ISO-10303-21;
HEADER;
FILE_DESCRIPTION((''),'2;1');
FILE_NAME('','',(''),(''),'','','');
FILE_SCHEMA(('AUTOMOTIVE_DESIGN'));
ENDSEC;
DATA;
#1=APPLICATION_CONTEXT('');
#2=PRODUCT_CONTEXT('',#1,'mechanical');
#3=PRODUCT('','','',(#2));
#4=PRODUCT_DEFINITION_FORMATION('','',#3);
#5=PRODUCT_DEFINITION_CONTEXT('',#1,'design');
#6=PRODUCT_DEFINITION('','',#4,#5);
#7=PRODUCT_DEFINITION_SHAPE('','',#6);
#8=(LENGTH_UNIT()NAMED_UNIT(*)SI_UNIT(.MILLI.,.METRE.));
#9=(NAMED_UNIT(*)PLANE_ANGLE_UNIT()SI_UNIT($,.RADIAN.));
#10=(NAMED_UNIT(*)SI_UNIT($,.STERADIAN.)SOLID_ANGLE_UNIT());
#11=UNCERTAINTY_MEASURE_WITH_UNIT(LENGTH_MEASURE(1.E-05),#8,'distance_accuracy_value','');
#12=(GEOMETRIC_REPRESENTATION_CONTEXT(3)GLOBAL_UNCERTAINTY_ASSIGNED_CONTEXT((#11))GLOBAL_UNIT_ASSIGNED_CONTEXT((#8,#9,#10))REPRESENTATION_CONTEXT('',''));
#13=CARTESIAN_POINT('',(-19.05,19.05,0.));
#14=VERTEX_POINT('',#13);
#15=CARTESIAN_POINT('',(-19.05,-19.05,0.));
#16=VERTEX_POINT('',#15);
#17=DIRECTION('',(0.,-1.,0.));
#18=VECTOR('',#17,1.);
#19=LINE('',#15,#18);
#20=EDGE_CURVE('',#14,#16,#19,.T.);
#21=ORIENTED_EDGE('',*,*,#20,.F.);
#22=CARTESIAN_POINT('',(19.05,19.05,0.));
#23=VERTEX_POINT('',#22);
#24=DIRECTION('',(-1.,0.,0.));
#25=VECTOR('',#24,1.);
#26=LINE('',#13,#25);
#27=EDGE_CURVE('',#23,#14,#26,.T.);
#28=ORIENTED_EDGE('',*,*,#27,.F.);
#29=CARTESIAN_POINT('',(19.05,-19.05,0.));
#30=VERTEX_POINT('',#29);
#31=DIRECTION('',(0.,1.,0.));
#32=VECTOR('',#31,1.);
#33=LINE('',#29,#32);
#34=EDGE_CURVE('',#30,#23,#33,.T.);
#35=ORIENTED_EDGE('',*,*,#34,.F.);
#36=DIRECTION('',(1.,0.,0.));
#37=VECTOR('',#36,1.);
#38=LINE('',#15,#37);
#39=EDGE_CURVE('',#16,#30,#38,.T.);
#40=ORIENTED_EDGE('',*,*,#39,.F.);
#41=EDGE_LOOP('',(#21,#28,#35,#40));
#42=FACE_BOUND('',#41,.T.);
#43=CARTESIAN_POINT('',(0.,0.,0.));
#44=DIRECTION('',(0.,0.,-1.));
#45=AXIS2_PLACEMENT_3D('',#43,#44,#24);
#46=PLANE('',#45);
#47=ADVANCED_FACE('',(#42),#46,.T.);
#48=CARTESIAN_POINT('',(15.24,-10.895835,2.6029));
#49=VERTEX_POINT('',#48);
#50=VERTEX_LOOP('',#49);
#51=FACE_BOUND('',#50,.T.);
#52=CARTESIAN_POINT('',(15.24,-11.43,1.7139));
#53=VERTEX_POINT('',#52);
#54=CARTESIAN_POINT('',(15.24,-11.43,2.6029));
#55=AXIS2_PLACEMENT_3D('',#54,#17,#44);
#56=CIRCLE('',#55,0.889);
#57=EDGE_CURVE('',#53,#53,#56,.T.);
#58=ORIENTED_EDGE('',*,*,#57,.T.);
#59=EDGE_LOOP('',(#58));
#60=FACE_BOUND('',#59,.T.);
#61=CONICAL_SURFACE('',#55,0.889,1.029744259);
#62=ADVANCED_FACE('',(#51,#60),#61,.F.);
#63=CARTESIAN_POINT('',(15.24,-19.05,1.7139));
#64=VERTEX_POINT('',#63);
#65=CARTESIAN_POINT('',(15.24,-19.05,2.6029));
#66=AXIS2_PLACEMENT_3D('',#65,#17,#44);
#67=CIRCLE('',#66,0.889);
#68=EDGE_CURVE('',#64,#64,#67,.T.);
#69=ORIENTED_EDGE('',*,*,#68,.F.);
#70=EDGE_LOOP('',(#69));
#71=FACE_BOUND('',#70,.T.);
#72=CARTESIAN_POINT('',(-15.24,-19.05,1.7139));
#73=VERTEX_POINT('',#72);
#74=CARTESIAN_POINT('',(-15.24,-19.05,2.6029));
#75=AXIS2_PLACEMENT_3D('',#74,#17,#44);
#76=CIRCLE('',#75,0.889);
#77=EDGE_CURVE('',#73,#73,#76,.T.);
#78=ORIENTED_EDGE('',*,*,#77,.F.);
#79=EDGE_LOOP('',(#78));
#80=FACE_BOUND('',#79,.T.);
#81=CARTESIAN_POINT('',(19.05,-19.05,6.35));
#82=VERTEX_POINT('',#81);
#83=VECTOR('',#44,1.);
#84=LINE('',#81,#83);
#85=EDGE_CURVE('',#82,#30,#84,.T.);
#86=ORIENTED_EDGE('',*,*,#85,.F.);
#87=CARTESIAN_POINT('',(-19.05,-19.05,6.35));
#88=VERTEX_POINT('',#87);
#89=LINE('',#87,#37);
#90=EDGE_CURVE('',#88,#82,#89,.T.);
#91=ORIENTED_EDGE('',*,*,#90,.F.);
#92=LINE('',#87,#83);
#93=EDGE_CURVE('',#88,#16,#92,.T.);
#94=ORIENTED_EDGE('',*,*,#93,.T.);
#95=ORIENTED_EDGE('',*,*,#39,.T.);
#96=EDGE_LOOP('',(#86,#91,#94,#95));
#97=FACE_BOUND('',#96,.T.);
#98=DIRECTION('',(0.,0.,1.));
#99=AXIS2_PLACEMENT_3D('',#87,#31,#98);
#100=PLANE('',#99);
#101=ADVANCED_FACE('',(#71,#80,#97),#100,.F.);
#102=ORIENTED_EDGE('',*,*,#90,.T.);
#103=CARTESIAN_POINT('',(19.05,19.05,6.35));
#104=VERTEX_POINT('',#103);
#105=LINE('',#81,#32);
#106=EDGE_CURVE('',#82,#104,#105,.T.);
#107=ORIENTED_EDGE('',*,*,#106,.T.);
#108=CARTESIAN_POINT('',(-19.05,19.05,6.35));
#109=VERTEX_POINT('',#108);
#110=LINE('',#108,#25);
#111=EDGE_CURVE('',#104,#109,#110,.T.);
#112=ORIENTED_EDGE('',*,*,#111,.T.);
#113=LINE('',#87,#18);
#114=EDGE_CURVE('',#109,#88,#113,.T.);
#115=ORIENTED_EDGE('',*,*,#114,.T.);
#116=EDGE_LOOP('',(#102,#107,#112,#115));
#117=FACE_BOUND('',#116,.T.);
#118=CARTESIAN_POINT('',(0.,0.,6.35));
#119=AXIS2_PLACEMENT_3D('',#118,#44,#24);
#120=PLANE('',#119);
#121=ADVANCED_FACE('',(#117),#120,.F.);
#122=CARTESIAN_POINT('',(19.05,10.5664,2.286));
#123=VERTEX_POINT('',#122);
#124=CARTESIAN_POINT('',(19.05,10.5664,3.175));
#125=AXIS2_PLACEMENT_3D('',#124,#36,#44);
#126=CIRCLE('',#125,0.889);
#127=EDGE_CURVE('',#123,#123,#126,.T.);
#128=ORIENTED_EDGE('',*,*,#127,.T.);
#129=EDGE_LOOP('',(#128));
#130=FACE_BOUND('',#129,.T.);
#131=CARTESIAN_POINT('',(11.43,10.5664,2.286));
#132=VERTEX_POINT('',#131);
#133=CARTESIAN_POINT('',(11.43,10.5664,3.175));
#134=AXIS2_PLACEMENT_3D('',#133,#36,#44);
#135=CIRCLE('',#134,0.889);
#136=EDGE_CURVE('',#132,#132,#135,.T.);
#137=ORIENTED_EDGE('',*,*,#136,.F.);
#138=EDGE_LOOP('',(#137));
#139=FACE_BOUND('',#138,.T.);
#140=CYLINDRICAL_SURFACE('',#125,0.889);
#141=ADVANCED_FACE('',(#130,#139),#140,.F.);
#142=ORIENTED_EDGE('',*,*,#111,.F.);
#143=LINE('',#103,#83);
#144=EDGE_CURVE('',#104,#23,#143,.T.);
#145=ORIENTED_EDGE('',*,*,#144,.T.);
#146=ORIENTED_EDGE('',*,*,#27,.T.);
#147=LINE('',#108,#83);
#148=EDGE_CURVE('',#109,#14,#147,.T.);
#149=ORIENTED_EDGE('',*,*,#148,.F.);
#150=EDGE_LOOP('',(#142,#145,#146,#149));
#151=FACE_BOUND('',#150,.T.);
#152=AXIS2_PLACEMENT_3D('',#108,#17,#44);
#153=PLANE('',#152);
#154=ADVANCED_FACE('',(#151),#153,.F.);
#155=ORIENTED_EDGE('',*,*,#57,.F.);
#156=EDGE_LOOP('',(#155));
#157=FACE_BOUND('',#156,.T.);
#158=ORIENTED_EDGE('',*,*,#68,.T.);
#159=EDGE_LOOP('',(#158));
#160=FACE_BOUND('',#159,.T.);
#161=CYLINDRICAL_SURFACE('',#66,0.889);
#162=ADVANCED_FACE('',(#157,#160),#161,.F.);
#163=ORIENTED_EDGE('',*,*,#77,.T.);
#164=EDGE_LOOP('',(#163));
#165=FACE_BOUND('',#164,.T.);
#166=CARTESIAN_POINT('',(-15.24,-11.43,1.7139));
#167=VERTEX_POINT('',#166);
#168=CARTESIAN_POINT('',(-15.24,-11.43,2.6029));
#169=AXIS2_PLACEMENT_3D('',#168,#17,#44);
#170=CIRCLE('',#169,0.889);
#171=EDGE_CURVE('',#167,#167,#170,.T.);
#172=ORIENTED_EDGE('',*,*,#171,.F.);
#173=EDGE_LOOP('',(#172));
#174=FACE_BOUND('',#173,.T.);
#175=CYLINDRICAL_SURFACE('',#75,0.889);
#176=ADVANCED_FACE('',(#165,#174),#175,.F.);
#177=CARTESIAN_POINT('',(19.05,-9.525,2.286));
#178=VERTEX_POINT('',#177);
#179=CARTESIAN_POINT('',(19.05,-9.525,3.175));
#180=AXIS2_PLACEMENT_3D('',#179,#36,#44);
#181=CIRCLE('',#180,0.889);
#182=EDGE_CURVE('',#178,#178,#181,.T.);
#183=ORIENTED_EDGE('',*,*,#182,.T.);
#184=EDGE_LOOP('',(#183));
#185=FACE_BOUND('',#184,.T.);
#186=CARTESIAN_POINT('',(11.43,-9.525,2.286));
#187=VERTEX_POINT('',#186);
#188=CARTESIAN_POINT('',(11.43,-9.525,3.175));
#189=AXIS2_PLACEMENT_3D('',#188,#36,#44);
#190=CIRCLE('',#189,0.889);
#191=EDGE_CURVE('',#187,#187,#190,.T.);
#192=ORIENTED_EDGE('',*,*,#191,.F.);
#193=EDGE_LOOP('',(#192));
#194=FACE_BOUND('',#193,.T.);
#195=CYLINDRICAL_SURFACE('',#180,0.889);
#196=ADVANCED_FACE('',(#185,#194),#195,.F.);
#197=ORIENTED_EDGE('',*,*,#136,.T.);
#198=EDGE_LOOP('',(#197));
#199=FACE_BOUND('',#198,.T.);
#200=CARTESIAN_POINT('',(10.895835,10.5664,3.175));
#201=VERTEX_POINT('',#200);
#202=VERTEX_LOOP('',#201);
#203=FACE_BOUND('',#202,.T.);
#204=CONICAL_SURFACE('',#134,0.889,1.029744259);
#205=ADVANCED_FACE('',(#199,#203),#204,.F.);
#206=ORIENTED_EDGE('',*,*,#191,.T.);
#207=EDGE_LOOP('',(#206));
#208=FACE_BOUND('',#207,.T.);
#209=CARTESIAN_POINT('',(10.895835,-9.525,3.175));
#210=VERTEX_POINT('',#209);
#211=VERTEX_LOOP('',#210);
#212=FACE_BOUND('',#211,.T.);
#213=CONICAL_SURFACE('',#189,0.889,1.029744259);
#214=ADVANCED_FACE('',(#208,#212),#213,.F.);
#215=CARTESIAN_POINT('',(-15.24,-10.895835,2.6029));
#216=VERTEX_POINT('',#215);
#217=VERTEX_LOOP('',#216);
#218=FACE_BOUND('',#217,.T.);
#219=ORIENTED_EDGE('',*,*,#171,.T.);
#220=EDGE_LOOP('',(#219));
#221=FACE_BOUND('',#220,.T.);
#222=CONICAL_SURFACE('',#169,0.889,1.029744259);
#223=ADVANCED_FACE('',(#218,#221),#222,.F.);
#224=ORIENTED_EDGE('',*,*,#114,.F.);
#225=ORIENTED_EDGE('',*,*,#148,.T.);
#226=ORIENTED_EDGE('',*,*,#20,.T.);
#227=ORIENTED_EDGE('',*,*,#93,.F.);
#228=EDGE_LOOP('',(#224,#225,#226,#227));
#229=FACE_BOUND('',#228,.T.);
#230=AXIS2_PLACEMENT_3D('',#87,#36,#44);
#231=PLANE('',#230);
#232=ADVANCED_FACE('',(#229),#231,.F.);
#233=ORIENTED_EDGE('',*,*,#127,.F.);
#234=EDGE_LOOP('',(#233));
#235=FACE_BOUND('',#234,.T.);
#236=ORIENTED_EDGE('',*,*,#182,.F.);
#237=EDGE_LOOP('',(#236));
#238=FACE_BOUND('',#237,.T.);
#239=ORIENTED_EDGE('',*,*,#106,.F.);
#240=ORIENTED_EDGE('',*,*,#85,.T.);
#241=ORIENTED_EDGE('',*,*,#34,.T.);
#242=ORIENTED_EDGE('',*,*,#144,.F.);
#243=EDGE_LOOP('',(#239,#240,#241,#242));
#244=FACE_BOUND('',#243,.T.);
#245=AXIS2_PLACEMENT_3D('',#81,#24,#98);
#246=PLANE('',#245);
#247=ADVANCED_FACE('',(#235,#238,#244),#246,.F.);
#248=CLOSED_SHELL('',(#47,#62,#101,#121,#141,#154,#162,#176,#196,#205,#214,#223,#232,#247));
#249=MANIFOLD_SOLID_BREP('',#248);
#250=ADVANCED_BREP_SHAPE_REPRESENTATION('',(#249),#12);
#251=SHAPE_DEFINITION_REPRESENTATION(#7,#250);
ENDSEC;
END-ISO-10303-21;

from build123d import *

# Parameters (mm, degrees)
SKETCH1_W                     = 38.1
SKETCH1_H                     = 38.1
BOSS_EXTRUDE1_DEPTH           = 6.35
TAP_DRILL_FOR_2_64_TAP1_D     = 1.778
TAP_DRILL_FOR_2_64_TAP1_DEPTH = 7.62
TAP_DRILL_FOR_2_64_TAP1_TIP   = 0.53416509
TAP_DRILL_FOR_2_64_TAP2_D     = 1.778
TAP_DRILL_FOR_2_64_TAP2_DEPTH = 7.62
TAP_DRILL_FOR_2_64_TAP2_TIP   = 0.53416509


with BuildPart() as part:
    # Sketch1 → Boss-Extrude1 (new body)
    with BuildSketch(Plane.XY):
        Rectangle(SKETCH1_W, SKETCH1_H)
    extrude(amount=BOSS_EXTRUDE1_DEPTH)

    # Tap Drill for #2-64 Tap1
    with Locations(Plane(origin=(0, -19.05, 0), x_dir=(-1, 0, 0), z_dir=(0, -1, 0))):
        with Locations((-15.24, -2.6029), (15.24, -2.6029)):
            Hole(TAP_DRILL_FOR_2_64_TAP1_D / 2, depth=TAP_DRILL_FOR_2_64_TAP1_DEPTH)
            with Locations((0, 0, -(TAP_DRILL_FOR_2_64_TAP1_DEPTH + TAP_DRILL_FOR_2_64_TAP1_TIP / 2))):  # 118° drill point
                Cone(0, TAP_DRILL_FOR_2_64_TAP1_D / 2, TAP_DRILL_FOR_2_64_TAP1_TIP, mode=Mode.SUBTRACT)

    # Tap Drill for #2-64 Tap2
    with Locations(Plane(origin=(19.05, 0, 0), x_dir=(0, 0, -1), z_dir=(1, 0, 0))):
        with Locations((-3.175, 10.5664), (-3.175, -9.525)):
            Hole(TAP_DRILL_FOR_2_64_TAP2_D / 2, depth=TAP_DRILL_FOR_2_64_TAP2_DEPTH)
            with Locations((0, 0, -(TAP_DRILL_FOR_2_64_TAP2_DEPTH + TAP_DRILL_FOR_2_64_TAP2_TIP / 2))):  # 118° drill point
                Cone(0, TAP_DRILL_FOR_2_64_TAP2_D / 2, TAP_DRILL_FOR_2_64_TAP2_TIP, mode=Mode.SUBTRACT)


solid = part.part
